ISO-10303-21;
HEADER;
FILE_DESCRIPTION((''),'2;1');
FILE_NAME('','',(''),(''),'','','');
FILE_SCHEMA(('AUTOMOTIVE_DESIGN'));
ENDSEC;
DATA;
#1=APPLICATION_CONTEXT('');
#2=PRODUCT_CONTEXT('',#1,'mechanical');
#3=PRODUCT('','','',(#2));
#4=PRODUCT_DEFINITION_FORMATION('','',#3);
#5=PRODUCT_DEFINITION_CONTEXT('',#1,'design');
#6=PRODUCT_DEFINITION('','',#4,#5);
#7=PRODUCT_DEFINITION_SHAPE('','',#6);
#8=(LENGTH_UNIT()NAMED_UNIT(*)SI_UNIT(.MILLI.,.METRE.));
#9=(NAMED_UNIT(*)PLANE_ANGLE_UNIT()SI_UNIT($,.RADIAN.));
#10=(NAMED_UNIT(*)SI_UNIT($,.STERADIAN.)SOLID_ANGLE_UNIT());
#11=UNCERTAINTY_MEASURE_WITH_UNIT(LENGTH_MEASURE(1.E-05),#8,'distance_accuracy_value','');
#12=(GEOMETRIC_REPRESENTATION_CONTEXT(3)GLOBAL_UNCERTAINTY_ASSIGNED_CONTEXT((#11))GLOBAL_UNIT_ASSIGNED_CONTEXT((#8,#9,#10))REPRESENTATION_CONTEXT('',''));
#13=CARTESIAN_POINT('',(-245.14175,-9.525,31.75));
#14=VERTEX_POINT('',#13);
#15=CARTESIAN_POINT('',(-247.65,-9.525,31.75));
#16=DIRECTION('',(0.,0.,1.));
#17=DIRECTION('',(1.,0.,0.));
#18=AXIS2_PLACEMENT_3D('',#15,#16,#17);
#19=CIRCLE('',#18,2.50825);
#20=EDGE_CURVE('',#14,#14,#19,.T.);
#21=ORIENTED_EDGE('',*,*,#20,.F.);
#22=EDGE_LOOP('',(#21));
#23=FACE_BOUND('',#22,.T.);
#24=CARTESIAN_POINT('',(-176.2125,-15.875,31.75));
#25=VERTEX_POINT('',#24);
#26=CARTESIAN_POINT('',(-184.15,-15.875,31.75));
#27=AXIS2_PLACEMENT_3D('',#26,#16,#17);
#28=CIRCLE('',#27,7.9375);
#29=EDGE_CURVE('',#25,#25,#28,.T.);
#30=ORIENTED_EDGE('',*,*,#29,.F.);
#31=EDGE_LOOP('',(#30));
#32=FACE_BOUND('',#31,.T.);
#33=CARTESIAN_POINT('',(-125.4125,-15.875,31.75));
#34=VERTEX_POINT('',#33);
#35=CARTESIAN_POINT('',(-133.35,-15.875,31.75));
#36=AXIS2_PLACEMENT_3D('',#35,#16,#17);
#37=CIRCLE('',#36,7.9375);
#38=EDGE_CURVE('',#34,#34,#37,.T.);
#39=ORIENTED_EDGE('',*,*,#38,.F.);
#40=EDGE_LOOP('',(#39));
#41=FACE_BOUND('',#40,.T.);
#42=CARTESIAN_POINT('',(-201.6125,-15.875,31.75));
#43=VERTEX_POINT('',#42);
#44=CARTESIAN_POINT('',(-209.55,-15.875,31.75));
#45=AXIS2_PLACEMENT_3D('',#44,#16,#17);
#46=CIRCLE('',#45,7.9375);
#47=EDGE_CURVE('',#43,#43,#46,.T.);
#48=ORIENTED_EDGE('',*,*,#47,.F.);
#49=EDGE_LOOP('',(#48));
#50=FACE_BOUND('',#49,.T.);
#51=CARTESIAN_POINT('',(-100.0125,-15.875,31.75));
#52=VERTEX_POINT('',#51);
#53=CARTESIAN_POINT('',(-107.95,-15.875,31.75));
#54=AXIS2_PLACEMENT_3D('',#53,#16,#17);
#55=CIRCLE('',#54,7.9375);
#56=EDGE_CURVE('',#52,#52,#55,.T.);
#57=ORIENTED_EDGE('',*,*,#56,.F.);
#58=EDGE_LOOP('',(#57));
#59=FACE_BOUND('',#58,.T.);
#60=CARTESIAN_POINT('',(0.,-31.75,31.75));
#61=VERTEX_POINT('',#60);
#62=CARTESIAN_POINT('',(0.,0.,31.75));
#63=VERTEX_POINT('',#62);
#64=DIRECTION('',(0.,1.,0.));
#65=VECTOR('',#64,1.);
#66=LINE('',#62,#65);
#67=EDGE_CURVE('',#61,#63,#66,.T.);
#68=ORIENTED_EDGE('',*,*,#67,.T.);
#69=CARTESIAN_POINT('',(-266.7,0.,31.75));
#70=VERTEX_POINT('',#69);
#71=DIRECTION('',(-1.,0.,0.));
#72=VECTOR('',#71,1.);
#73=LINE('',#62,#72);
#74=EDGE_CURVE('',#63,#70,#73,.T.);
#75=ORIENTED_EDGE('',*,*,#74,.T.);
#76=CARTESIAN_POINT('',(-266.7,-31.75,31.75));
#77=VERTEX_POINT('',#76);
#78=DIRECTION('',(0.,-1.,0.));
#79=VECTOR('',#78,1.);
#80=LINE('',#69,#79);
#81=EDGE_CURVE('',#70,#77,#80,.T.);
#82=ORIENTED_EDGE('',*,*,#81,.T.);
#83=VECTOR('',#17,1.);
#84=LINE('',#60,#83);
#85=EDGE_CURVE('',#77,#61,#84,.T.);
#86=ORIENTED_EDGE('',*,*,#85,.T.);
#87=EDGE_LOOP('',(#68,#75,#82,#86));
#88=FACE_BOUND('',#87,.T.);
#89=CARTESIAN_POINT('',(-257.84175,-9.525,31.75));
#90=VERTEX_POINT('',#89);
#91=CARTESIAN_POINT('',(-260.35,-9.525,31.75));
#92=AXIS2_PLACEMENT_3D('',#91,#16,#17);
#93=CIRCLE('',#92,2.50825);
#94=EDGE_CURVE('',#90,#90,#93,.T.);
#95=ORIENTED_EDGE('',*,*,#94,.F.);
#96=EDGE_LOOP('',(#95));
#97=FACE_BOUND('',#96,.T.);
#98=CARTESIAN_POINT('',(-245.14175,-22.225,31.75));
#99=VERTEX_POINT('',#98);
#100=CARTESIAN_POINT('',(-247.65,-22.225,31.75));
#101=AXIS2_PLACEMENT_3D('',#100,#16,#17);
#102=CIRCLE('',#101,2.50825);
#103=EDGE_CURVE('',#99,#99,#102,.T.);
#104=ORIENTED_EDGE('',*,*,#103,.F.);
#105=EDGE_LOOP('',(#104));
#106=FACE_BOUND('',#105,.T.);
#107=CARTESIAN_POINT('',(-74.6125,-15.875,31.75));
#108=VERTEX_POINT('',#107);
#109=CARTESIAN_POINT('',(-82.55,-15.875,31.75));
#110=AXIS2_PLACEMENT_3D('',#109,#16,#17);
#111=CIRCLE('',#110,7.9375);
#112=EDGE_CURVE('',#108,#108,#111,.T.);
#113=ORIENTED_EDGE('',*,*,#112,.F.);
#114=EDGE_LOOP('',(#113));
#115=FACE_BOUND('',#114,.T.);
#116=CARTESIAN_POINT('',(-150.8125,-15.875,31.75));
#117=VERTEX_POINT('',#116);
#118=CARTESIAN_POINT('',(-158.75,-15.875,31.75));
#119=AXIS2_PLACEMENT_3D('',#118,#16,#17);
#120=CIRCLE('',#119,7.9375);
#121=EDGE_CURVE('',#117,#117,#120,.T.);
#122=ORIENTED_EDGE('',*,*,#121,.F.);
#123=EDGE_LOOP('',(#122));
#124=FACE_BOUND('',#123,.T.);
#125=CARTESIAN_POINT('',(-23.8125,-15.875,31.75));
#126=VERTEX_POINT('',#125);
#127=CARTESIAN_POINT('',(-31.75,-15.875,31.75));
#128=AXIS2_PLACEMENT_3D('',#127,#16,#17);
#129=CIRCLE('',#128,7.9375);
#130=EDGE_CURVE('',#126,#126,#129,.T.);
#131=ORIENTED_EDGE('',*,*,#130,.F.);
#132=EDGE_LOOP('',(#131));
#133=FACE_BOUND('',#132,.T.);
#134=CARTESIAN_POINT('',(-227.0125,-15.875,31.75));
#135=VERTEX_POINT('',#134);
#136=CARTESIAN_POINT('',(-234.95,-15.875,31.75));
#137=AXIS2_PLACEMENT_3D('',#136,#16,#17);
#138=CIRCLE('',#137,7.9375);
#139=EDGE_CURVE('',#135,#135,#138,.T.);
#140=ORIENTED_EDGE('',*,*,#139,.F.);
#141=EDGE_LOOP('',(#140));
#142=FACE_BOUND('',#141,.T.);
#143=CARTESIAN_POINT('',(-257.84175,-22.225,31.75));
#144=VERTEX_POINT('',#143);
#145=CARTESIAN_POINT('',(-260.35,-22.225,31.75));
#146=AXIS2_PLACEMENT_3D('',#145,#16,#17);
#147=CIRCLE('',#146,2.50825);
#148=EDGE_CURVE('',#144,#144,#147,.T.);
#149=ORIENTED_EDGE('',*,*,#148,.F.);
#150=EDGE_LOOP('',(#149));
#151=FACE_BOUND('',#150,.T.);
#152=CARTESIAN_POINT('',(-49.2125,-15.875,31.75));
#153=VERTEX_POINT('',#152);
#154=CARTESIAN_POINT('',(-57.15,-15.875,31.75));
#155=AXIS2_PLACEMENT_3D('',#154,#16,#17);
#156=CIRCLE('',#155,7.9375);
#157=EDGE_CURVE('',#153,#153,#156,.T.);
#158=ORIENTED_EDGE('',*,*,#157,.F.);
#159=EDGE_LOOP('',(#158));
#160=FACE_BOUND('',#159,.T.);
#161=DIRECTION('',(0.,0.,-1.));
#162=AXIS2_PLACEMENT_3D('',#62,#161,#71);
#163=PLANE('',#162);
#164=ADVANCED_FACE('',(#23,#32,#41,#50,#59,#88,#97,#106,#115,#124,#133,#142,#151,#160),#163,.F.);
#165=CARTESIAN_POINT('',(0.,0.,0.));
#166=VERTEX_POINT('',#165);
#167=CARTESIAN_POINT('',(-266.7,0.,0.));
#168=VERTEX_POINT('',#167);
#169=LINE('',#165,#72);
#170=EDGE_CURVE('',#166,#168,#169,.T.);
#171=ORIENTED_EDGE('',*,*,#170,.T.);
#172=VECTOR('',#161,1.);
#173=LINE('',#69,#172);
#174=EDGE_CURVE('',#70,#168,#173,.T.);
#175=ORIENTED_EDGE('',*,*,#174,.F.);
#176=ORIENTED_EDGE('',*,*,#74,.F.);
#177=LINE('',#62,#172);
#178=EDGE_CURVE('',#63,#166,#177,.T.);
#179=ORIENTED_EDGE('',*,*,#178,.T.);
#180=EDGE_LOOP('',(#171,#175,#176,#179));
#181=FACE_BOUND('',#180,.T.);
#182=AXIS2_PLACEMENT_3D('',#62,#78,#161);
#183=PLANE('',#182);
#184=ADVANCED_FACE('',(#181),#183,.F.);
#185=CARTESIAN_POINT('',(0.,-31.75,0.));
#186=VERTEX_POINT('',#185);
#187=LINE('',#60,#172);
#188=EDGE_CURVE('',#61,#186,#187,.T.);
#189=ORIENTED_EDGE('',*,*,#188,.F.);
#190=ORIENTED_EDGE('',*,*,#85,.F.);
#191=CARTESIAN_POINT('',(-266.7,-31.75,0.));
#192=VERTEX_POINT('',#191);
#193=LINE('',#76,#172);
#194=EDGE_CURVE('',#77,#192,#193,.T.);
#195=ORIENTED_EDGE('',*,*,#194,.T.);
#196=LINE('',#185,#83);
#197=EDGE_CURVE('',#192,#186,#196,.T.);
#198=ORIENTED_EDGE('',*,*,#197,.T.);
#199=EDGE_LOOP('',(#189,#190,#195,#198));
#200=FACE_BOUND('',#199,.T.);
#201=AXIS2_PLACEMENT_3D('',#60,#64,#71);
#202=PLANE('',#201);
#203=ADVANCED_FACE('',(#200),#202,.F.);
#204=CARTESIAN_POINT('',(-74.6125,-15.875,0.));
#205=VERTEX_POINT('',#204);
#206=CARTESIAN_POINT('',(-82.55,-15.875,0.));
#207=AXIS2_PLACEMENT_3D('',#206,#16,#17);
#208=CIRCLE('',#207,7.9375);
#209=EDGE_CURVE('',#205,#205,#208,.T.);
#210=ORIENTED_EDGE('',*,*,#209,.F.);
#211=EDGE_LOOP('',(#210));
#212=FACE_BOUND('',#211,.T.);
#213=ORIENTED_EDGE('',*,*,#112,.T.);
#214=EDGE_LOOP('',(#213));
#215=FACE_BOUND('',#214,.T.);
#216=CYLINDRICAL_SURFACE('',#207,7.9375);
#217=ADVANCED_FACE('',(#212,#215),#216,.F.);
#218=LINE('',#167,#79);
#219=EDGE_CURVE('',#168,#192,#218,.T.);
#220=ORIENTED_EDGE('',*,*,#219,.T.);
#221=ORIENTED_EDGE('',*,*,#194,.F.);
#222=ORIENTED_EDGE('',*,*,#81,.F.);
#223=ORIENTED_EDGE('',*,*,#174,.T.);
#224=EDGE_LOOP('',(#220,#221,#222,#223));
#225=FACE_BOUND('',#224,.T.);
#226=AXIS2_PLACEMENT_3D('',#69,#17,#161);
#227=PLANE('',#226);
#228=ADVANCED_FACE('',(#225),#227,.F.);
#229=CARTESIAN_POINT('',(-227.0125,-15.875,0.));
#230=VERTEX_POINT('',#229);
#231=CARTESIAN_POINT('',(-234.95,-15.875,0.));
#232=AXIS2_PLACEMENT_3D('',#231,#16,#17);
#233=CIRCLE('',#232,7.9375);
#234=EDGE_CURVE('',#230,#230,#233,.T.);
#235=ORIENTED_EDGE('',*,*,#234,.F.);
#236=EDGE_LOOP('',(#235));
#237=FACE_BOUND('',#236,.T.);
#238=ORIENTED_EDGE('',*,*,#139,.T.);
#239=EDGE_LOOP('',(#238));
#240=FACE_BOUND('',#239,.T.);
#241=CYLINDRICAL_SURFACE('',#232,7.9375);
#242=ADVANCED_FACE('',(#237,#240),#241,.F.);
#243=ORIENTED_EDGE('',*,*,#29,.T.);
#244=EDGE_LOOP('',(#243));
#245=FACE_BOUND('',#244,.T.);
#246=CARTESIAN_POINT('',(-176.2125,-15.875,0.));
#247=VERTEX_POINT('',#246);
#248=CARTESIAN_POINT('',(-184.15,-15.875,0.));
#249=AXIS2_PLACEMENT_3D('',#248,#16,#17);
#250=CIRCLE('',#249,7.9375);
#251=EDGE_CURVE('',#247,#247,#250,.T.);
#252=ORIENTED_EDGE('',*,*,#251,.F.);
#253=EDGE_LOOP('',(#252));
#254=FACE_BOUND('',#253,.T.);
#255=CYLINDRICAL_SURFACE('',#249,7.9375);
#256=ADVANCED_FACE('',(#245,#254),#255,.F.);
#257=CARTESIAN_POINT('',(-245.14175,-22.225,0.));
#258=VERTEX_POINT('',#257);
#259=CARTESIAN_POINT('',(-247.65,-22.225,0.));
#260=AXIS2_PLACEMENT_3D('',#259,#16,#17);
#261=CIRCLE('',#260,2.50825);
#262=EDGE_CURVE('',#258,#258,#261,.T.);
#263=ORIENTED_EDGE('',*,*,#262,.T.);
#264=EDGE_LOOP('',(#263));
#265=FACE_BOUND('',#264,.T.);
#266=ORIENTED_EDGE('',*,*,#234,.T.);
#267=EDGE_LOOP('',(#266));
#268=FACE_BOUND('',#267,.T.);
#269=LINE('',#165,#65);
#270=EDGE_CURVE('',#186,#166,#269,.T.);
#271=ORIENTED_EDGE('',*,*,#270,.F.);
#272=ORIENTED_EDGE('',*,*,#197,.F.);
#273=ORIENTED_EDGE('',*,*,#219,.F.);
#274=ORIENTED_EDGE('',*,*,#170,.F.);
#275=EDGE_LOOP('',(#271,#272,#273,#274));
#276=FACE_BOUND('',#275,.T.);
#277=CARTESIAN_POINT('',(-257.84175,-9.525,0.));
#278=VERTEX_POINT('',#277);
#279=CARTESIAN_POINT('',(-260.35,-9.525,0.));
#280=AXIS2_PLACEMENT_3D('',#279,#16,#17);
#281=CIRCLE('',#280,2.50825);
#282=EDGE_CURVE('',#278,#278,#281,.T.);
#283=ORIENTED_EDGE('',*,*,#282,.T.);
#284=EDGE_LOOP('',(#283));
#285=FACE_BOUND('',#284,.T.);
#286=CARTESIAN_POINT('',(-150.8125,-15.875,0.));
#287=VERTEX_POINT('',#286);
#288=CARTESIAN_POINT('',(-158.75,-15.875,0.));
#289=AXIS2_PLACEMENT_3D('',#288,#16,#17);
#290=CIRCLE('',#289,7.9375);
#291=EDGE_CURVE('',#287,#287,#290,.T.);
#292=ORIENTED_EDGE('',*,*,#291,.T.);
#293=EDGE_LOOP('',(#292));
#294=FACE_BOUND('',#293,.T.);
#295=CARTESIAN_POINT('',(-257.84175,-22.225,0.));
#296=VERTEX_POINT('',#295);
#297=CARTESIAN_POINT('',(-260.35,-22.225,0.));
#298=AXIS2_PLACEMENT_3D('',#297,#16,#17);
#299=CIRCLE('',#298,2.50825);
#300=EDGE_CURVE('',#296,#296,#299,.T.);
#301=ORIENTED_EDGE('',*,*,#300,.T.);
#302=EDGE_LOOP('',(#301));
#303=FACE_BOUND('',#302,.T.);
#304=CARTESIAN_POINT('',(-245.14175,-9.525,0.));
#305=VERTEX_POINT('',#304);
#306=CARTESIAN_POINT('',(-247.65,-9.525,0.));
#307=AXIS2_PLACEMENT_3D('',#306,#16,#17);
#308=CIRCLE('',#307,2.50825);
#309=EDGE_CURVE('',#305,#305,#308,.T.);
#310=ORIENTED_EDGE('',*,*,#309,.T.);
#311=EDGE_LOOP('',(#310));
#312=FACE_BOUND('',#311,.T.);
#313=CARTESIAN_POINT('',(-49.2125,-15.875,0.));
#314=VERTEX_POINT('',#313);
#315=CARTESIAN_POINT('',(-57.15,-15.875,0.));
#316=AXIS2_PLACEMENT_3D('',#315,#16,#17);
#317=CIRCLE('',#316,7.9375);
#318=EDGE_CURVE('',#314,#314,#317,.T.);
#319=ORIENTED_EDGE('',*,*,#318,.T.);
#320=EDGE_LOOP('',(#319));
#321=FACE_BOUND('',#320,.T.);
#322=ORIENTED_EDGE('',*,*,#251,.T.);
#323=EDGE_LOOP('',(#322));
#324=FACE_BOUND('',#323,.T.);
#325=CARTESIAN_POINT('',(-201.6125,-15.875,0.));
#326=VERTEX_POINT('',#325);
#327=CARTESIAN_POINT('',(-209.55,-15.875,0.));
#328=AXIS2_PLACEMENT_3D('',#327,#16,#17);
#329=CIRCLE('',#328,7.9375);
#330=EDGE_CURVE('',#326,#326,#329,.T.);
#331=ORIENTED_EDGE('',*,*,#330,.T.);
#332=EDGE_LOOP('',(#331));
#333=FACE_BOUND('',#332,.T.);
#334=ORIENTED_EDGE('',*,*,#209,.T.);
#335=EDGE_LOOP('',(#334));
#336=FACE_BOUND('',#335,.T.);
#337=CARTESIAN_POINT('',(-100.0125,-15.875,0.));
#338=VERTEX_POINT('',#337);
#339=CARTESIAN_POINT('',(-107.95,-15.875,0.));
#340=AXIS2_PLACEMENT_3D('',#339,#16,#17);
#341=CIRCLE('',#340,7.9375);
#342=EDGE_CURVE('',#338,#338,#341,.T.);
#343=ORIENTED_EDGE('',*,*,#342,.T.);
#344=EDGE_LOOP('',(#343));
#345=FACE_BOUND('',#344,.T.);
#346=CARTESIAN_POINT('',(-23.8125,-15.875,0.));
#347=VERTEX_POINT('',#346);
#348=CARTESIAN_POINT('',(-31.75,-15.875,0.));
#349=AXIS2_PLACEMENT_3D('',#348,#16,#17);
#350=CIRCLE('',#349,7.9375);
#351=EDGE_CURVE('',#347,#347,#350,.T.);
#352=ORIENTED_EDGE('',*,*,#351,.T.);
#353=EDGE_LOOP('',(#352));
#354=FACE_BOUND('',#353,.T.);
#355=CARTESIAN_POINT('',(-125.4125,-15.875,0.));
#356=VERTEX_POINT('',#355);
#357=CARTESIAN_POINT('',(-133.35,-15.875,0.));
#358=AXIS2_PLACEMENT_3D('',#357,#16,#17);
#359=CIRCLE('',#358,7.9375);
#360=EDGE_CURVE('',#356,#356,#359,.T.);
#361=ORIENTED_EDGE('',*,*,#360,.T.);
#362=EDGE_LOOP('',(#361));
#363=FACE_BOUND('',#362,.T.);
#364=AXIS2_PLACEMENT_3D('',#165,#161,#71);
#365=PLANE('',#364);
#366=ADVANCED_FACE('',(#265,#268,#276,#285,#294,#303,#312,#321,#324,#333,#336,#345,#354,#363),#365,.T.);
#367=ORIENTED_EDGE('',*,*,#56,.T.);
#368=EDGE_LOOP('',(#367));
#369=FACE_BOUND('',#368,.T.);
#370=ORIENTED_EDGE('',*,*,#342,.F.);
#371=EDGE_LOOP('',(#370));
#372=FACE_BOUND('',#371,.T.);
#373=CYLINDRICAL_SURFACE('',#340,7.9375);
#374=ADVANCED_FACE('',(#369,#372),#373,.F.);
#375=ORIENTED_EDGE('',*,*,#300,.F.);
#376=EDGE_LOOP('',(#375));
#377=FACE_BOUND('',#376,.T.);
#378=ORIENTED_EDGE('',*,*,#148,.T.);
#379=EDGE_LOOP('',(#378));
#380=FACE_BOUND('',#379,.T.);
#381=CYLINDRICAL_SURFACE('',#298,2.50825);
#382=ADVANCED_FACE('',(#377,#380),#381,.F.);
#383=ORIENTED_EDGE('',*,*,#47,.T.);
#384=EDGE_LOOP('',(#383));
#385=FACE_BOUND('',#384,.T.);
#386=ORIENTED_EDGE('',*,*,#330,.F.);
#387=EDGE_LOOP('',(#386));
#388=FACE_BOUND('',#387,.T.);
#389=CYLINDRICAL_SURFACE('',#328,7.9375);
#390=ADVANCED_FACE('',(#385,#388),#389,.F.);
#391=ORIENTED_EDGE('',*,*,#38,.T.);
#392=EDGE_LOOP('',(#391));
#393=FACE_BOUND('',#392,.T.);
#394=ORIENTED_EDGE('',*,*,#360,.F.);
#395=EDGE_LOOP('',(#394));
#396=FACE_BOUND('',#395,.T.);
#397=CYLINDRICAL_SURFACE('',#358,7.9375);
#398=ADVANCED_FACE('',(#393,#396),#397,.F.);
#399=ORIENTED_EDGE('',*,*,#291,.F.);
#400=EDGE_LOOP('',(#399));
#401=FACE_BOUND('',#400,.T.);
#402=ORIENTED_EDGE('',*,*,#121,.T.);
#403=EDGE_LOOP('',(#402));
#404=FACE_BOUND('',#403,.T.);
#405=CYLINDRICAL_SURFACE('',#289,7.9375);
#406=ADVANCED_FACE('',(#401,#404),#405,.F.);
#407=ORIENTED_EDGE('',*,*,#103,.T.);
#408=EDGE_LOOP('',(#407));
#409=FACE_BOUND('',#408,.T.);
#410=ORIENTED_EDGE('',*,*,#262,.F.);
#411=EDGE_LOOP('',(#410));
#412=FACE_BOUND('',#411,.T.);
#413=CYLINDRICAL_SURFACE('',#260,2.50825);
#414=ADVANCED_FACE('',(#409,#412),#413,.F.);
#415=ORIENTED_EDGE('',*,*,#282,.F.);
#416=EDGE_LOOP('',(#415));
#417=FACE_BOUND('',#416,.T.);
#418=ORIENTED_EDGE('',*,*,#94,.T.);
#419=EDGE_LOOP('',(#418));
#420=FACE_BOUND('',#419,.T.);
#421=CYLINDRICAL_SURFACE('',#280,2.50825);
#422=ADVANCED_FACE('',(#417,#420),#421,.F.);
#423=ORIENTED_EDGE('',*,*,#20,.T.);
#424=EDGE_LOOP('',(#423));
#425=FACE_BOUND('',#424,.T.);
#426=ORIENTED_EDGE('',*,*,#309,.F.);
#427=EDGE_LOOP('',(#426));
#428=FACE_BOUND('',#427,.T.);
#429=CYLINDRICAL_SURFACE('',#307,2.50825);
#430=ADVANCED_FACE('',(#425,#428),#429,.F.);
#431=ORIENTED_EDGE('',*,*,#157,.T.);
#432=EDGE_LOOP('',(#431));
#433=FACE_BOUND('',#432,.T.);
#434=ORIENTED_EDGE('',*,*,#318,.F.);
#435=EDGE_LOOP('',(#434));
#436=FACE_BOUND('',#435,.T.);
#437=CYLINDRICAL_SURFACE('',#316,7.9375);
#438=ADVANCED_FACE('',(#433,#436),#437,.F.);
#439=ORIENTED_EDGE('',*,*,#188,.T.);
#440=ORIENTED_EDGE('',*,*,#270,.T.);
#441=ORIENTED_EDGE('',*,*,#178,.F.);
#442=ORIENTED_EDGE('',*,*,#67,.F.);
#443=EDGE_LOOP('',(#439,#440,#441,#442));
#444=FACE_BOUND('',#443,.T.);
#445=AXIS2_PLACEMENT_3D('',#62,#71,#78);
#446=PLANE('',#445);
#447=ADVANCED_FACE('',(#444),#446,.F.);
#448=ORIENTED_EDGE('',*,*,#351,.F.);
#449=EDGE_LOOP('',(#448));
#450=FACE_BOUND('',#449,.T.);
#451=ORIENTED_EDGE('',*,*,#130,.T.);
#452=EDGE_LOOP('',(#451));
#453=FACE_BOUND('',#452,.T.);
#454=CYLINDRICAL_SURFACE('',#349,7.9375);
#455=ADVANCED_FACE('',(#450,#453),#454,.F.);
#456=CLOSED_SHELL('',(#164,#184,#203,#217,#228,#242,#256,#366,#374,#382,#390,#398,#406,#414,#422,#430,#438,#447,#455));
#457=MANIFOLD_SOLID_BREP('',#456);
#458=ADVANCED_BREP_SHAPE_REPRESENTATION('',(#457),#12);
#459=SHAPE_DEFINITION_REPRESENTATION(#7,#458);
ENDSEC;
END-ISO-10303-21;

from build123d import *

# Parameters (mm, degrees)
SKETCH1_W           = 266.7
SKETCH1_H           = 31.75
BOSS_EXTRUDE1_DEPTH = 31.75
SKETCH2_R           = 7.9375
CUT_EXTRUDE1_DEPTH  = 31.75
LPATTERN1_COUNT     = 9
LPATTERN1_PITCH     = 25.4
SKETCH3_R           = 2.50825
CUT_EXTRUDE2_DEPTH  = 31.75


with BuildPart() as part:
    # Sketch1 → Boss-Extrude1 (new body)
    with BuildSketch(Plane.XY):
        with Locations((-133.35, -15.875)):
            Rectangle(SKETCH1_W, SKETCH1_H)
    extrude(amount=BOSS_EXTRUDE1_DEPTH)

    # Sketch2 → Cut-Extrude1 (cut)
    with BuildSketch(Plane.XY.offset(31.75)):
        with Locations((-234.95, -15.875)):
            Circle(SKETCH2_R)
    cut_extrude1 = extrude(amount=-CUT_EXTRUDE1_DEPTH, mode=Mode.SUBTRACT)

    # LPattern1: Cut-Extrude1 ×9
    with Locations(*[(i * LPATTERN1_PITCH, 0, 0) for i in range(1, LPATTERN1_COUNT)]):
        add(cut_extrude1, mode=Mode.SUBTRACT)

    # Sketch3 → Cut-Extrude2 (cut)
    with BuildSketch(Plane.XY.offset(31.75)):
        with Locations((-260.35, -9.525)):
            Circle(SKETCH3_R)
        with Locations((-247.65, -9.525)):
            Circle(SKETCH3_R)
        with Locations((-260.35, -22.225)):
            Circle(SKETCH3_R)
        with Locations((-247.65, -22.225)):
            Circle(SKETCH3_R)
    extrude(amount=-CUT_EXTRUDE2_DEPTH, mode=Mode.SUBTRACT)


solid = part.part
